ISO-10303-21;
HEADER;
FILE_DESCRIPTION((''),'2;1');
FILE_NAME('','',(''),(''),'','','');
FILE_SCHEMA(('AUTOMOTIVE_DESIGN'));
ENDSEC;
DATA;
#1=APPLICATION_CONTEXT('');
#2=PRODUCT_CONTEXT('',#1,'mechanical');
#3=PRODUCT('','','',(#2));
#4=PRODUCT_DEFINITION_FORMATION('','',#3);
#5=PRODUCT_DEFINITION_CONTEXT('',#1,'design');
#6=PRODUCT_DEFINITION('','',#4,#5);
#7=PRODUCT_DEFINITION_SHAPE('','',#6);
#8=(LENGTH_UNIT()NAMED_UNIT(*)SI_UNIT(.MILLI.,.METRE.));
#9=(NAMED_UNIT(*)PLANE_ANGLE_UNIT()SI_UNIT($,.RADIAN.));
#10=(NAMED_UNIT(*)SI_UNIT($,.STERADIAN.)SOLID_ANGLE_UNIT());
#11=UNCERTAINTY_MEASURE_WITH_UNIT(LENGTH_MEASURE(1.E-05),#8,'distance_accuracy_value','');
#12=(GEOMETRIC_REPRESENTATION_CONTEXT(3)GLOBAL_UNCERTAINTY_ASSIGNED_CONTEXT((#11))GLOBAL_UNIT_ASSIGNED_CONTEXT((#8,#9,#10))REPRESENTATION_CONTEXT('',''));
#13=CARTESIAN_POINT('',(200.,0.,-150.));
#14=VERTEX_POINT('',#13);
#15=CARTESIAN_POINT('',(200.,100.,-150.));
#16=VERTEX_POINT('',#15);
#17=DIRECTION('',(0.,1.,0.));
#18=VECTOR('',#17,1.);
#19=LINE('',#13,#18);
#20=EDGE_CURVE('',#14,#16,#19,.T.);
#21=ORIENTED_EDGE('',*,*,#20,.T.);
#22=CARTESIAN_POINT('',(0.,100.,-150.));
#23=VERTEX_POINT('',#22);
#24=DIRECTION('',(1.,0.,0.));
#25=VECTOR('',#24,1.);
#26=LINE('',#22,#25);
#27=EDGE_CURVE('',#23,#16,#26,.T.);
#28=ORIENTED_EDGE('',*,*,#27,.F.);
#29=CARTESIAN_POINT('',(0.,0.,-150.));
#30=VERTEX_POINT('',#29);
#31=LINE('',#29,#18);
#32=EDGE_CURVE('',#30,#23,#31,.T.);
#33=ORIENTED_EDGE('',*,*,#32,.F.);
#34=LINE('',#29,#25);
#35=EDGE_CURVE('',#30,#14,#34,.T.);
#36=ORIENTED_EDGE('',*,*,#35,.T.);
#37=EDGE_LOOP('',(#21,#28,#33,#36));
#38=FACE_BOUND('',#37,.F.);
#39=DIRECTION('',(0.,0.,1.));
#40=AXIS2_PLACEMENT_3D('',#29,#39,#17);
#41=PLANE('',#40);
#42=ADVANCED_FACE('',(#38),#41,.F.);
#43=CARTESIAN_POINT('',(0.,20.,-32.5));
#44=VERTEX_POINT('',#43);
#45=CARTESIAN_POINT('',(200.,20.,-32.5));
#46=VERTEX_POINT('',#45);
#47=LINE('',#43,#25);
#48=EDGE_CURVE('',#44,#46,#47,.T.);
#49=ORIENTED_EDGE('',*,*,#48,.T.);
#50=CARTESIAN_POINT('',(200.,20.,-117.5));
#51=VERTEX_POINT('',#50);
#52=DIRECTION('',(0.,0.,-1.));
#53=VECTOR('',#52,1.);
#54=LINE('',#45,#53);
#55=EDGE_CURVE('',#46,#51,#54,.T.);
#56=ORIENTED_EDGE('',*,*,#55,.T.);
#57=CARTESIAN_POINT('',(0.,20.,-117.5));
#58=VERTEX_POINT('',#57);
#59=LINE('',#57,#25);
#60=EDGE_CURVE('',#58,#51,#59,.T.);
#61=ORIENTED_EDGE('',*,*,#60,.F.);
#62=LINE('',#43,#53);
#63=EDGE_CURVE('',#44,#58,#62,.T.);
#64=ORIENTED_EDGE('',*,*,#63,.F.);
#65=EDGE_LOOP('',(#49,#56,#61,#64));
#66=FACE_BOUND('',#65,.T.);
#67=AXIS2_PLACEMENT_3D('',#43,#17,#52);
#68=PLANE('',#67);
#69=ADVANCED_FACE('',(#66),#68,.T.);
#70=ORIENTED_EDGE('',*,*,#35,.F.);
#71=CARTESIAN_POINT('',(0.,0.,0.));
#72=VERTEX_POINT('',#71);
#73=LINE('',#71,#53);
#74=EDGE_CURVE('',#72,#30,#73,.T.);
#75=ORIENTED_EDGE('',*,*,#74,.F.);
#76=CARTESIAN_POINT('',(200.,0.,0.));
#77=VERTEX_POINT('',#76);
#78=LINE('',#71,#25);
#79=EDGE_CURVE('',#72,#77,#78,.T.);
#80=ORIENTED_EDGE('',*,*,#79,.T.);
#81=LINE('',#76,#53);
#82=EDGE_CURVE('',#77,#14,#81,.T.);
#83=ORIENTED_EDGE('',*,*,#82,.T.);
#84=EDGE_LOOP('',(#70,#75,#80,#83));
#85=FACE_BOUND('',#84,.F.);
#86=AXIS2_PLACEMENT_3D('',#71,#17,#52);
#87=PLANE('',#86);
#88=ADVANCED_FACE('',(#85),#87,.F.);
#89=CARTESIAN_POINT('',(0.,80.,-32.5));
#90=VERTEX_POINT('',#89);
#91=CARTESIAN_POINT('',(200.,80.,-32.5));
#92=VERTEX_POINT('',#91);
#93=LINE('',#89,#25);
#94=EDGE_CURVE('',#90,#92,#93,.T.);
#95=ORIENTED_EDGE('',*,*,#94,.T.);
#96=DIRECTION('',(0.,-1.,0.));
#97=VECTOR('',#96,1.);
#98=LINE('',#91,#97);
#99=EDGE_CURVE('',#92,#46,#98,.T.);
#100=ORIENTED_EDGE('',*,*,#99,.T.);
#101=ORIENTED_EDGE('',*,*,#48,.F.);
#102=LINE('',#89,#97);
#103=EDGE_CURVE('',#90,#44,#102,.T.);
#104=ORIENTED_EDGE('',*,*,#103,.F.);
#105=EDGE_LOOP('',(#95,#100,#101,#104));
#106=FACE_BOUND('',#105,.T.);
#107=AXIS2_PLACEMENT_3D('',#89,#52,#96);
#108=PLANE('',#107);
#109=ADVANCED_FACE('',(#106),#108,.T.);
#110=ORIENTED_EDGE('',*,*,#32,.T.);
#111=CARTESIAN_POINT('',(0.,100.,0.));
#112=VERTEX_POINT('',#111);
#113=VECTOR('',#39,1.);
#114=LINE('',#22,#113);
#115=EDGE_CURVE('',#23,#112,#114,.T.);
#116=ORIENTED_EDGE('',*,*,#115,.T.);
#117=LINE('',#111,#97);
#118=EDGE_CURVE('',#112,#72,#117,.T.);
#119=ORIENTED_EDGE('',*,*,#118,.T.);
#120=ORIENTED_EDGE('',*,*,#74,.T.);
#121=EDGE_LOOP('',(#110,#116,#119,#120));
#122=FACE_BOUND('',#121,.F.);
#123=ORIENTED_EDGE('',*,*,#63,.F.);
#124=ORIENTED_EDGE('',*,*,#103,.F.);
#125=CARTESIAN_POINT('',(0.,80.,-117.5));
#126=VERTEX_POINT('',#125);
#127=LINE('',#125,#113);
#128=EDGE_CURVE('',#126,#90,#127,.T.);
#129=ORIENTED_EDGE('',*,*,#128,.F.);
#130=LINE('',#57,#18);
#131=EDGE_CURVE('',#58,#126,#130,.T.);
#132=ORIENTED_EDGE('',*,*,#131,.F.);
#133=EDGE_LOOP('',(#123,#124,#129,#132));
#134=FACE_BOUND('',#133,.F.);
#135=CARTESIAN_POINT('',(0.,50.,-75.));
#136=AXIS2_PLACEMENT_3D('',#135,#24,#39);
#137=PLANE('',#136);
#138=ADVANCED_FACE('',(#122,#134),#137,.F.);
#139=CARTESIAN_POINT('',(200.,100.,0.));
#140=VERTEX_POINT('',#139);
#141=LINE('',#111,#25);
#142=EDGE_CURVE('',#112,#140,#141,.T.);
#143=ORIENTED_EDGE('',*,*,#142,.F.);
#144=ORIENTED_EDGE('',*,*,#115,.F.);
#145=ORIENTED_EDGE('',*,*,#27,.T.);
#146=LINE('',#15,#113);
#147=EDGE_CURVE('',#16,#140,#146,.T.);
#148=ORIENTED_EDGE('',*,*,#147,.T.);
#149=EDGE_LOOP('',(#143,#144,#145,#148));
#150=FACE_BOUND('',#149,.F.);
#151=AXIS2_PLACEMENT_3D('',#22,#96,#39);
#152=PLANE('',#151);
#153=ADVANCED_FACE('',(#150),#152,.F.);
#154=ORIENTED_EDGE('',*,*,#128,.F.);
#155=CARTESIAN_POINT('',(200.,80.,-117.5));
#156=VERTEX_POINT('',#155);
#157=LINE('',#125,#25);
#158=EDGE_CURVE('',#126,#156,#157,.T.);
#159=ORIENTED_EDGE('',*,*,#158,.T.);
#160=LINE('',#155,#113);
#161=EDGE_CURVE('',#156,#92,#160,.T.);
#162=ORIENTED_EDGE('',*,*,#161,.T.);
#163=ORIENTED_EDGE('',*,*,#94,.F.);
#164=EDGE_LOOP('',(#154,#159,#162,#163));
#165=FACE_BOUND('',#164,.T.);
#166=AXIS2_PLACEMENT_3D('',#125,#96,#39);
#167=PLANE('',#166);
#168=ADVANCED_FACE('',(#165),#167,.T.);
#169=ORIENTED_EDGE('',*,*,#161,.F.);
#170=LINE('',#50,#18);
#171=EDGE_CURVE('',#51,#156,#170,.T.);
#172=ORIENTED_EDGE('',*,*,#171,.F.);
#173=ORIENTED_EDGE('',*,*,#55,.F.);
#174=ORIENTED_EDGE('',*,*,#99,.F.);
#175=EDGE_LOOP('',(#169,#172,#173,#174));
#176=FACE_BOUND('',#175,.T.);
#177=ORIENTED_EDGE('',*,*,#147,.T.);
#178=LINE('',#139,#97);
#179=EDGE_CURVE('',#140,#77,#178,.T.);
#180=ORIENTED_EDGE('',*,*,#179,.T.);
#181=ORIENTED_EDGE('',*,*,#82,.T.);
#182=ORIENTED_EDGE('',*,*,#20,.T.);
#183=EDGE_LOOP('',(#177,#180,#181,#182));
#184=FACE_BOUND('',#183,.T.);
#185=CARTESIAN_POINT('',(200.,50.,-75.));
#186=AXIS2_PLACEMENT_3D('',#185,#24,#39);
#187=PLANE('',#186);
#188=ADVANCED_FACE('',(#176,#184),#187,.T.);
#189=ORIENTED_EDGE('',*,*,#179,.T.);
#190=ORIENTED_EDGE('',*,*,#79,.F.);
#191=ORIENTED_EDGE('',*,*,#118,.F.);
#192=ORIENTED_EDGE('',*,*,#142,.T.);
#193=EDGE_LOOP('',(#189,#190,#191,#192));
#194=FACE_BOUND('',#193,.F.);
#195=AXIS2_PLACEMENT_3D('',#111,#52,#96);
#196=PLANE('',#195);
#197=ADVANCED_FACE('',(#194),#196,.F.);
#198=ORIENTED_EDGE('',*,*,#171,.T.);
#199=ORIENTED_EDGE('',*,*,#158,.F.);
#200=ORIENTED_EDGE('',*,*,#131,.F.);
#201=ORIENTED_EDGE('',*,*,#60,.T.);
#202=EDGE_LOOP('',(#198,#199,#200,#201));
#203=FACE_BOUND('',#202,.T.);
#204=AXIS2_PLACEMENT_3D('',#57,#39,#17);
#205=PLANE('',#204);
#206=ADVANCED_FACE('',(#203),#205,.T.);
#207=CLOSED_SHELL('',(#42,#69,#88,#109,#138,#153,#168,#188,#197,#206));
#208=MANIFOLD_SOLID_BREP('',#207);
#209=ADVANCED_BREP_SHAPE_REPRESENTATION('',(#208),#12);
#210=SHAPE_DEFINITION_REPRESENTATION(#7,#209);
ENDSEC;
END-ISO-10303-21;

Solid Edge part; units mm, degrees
sketch "Sketch1" plane through (0, 0, 0) normal (1, 0, 0) x (0, 1, 0)
  line L0 (20, -32.5) -> (20, -117.5)
  line L1 (20, -117.5) -> (80, -117.5)
  line L2 (80, -117.5) -> (80, -32.5)
  line L3 (80, -32.5) -> (20, -32.5)
  line L4 (0, -150) -> (100, -150)
  line L5 (100, -150) -> (100, 0)
  line L6 (100, 0) -> (0, 0)
  line L7 (0, 0) -> (0, -150)
  dimension "D1" = 100
  dimension "D2" = 60
  dimension "D3" = 85
  dimension "D4" = 150
extrude "Protrusion1" add sketch "Sketch1" along normal blind 200
properties material "Steel"
